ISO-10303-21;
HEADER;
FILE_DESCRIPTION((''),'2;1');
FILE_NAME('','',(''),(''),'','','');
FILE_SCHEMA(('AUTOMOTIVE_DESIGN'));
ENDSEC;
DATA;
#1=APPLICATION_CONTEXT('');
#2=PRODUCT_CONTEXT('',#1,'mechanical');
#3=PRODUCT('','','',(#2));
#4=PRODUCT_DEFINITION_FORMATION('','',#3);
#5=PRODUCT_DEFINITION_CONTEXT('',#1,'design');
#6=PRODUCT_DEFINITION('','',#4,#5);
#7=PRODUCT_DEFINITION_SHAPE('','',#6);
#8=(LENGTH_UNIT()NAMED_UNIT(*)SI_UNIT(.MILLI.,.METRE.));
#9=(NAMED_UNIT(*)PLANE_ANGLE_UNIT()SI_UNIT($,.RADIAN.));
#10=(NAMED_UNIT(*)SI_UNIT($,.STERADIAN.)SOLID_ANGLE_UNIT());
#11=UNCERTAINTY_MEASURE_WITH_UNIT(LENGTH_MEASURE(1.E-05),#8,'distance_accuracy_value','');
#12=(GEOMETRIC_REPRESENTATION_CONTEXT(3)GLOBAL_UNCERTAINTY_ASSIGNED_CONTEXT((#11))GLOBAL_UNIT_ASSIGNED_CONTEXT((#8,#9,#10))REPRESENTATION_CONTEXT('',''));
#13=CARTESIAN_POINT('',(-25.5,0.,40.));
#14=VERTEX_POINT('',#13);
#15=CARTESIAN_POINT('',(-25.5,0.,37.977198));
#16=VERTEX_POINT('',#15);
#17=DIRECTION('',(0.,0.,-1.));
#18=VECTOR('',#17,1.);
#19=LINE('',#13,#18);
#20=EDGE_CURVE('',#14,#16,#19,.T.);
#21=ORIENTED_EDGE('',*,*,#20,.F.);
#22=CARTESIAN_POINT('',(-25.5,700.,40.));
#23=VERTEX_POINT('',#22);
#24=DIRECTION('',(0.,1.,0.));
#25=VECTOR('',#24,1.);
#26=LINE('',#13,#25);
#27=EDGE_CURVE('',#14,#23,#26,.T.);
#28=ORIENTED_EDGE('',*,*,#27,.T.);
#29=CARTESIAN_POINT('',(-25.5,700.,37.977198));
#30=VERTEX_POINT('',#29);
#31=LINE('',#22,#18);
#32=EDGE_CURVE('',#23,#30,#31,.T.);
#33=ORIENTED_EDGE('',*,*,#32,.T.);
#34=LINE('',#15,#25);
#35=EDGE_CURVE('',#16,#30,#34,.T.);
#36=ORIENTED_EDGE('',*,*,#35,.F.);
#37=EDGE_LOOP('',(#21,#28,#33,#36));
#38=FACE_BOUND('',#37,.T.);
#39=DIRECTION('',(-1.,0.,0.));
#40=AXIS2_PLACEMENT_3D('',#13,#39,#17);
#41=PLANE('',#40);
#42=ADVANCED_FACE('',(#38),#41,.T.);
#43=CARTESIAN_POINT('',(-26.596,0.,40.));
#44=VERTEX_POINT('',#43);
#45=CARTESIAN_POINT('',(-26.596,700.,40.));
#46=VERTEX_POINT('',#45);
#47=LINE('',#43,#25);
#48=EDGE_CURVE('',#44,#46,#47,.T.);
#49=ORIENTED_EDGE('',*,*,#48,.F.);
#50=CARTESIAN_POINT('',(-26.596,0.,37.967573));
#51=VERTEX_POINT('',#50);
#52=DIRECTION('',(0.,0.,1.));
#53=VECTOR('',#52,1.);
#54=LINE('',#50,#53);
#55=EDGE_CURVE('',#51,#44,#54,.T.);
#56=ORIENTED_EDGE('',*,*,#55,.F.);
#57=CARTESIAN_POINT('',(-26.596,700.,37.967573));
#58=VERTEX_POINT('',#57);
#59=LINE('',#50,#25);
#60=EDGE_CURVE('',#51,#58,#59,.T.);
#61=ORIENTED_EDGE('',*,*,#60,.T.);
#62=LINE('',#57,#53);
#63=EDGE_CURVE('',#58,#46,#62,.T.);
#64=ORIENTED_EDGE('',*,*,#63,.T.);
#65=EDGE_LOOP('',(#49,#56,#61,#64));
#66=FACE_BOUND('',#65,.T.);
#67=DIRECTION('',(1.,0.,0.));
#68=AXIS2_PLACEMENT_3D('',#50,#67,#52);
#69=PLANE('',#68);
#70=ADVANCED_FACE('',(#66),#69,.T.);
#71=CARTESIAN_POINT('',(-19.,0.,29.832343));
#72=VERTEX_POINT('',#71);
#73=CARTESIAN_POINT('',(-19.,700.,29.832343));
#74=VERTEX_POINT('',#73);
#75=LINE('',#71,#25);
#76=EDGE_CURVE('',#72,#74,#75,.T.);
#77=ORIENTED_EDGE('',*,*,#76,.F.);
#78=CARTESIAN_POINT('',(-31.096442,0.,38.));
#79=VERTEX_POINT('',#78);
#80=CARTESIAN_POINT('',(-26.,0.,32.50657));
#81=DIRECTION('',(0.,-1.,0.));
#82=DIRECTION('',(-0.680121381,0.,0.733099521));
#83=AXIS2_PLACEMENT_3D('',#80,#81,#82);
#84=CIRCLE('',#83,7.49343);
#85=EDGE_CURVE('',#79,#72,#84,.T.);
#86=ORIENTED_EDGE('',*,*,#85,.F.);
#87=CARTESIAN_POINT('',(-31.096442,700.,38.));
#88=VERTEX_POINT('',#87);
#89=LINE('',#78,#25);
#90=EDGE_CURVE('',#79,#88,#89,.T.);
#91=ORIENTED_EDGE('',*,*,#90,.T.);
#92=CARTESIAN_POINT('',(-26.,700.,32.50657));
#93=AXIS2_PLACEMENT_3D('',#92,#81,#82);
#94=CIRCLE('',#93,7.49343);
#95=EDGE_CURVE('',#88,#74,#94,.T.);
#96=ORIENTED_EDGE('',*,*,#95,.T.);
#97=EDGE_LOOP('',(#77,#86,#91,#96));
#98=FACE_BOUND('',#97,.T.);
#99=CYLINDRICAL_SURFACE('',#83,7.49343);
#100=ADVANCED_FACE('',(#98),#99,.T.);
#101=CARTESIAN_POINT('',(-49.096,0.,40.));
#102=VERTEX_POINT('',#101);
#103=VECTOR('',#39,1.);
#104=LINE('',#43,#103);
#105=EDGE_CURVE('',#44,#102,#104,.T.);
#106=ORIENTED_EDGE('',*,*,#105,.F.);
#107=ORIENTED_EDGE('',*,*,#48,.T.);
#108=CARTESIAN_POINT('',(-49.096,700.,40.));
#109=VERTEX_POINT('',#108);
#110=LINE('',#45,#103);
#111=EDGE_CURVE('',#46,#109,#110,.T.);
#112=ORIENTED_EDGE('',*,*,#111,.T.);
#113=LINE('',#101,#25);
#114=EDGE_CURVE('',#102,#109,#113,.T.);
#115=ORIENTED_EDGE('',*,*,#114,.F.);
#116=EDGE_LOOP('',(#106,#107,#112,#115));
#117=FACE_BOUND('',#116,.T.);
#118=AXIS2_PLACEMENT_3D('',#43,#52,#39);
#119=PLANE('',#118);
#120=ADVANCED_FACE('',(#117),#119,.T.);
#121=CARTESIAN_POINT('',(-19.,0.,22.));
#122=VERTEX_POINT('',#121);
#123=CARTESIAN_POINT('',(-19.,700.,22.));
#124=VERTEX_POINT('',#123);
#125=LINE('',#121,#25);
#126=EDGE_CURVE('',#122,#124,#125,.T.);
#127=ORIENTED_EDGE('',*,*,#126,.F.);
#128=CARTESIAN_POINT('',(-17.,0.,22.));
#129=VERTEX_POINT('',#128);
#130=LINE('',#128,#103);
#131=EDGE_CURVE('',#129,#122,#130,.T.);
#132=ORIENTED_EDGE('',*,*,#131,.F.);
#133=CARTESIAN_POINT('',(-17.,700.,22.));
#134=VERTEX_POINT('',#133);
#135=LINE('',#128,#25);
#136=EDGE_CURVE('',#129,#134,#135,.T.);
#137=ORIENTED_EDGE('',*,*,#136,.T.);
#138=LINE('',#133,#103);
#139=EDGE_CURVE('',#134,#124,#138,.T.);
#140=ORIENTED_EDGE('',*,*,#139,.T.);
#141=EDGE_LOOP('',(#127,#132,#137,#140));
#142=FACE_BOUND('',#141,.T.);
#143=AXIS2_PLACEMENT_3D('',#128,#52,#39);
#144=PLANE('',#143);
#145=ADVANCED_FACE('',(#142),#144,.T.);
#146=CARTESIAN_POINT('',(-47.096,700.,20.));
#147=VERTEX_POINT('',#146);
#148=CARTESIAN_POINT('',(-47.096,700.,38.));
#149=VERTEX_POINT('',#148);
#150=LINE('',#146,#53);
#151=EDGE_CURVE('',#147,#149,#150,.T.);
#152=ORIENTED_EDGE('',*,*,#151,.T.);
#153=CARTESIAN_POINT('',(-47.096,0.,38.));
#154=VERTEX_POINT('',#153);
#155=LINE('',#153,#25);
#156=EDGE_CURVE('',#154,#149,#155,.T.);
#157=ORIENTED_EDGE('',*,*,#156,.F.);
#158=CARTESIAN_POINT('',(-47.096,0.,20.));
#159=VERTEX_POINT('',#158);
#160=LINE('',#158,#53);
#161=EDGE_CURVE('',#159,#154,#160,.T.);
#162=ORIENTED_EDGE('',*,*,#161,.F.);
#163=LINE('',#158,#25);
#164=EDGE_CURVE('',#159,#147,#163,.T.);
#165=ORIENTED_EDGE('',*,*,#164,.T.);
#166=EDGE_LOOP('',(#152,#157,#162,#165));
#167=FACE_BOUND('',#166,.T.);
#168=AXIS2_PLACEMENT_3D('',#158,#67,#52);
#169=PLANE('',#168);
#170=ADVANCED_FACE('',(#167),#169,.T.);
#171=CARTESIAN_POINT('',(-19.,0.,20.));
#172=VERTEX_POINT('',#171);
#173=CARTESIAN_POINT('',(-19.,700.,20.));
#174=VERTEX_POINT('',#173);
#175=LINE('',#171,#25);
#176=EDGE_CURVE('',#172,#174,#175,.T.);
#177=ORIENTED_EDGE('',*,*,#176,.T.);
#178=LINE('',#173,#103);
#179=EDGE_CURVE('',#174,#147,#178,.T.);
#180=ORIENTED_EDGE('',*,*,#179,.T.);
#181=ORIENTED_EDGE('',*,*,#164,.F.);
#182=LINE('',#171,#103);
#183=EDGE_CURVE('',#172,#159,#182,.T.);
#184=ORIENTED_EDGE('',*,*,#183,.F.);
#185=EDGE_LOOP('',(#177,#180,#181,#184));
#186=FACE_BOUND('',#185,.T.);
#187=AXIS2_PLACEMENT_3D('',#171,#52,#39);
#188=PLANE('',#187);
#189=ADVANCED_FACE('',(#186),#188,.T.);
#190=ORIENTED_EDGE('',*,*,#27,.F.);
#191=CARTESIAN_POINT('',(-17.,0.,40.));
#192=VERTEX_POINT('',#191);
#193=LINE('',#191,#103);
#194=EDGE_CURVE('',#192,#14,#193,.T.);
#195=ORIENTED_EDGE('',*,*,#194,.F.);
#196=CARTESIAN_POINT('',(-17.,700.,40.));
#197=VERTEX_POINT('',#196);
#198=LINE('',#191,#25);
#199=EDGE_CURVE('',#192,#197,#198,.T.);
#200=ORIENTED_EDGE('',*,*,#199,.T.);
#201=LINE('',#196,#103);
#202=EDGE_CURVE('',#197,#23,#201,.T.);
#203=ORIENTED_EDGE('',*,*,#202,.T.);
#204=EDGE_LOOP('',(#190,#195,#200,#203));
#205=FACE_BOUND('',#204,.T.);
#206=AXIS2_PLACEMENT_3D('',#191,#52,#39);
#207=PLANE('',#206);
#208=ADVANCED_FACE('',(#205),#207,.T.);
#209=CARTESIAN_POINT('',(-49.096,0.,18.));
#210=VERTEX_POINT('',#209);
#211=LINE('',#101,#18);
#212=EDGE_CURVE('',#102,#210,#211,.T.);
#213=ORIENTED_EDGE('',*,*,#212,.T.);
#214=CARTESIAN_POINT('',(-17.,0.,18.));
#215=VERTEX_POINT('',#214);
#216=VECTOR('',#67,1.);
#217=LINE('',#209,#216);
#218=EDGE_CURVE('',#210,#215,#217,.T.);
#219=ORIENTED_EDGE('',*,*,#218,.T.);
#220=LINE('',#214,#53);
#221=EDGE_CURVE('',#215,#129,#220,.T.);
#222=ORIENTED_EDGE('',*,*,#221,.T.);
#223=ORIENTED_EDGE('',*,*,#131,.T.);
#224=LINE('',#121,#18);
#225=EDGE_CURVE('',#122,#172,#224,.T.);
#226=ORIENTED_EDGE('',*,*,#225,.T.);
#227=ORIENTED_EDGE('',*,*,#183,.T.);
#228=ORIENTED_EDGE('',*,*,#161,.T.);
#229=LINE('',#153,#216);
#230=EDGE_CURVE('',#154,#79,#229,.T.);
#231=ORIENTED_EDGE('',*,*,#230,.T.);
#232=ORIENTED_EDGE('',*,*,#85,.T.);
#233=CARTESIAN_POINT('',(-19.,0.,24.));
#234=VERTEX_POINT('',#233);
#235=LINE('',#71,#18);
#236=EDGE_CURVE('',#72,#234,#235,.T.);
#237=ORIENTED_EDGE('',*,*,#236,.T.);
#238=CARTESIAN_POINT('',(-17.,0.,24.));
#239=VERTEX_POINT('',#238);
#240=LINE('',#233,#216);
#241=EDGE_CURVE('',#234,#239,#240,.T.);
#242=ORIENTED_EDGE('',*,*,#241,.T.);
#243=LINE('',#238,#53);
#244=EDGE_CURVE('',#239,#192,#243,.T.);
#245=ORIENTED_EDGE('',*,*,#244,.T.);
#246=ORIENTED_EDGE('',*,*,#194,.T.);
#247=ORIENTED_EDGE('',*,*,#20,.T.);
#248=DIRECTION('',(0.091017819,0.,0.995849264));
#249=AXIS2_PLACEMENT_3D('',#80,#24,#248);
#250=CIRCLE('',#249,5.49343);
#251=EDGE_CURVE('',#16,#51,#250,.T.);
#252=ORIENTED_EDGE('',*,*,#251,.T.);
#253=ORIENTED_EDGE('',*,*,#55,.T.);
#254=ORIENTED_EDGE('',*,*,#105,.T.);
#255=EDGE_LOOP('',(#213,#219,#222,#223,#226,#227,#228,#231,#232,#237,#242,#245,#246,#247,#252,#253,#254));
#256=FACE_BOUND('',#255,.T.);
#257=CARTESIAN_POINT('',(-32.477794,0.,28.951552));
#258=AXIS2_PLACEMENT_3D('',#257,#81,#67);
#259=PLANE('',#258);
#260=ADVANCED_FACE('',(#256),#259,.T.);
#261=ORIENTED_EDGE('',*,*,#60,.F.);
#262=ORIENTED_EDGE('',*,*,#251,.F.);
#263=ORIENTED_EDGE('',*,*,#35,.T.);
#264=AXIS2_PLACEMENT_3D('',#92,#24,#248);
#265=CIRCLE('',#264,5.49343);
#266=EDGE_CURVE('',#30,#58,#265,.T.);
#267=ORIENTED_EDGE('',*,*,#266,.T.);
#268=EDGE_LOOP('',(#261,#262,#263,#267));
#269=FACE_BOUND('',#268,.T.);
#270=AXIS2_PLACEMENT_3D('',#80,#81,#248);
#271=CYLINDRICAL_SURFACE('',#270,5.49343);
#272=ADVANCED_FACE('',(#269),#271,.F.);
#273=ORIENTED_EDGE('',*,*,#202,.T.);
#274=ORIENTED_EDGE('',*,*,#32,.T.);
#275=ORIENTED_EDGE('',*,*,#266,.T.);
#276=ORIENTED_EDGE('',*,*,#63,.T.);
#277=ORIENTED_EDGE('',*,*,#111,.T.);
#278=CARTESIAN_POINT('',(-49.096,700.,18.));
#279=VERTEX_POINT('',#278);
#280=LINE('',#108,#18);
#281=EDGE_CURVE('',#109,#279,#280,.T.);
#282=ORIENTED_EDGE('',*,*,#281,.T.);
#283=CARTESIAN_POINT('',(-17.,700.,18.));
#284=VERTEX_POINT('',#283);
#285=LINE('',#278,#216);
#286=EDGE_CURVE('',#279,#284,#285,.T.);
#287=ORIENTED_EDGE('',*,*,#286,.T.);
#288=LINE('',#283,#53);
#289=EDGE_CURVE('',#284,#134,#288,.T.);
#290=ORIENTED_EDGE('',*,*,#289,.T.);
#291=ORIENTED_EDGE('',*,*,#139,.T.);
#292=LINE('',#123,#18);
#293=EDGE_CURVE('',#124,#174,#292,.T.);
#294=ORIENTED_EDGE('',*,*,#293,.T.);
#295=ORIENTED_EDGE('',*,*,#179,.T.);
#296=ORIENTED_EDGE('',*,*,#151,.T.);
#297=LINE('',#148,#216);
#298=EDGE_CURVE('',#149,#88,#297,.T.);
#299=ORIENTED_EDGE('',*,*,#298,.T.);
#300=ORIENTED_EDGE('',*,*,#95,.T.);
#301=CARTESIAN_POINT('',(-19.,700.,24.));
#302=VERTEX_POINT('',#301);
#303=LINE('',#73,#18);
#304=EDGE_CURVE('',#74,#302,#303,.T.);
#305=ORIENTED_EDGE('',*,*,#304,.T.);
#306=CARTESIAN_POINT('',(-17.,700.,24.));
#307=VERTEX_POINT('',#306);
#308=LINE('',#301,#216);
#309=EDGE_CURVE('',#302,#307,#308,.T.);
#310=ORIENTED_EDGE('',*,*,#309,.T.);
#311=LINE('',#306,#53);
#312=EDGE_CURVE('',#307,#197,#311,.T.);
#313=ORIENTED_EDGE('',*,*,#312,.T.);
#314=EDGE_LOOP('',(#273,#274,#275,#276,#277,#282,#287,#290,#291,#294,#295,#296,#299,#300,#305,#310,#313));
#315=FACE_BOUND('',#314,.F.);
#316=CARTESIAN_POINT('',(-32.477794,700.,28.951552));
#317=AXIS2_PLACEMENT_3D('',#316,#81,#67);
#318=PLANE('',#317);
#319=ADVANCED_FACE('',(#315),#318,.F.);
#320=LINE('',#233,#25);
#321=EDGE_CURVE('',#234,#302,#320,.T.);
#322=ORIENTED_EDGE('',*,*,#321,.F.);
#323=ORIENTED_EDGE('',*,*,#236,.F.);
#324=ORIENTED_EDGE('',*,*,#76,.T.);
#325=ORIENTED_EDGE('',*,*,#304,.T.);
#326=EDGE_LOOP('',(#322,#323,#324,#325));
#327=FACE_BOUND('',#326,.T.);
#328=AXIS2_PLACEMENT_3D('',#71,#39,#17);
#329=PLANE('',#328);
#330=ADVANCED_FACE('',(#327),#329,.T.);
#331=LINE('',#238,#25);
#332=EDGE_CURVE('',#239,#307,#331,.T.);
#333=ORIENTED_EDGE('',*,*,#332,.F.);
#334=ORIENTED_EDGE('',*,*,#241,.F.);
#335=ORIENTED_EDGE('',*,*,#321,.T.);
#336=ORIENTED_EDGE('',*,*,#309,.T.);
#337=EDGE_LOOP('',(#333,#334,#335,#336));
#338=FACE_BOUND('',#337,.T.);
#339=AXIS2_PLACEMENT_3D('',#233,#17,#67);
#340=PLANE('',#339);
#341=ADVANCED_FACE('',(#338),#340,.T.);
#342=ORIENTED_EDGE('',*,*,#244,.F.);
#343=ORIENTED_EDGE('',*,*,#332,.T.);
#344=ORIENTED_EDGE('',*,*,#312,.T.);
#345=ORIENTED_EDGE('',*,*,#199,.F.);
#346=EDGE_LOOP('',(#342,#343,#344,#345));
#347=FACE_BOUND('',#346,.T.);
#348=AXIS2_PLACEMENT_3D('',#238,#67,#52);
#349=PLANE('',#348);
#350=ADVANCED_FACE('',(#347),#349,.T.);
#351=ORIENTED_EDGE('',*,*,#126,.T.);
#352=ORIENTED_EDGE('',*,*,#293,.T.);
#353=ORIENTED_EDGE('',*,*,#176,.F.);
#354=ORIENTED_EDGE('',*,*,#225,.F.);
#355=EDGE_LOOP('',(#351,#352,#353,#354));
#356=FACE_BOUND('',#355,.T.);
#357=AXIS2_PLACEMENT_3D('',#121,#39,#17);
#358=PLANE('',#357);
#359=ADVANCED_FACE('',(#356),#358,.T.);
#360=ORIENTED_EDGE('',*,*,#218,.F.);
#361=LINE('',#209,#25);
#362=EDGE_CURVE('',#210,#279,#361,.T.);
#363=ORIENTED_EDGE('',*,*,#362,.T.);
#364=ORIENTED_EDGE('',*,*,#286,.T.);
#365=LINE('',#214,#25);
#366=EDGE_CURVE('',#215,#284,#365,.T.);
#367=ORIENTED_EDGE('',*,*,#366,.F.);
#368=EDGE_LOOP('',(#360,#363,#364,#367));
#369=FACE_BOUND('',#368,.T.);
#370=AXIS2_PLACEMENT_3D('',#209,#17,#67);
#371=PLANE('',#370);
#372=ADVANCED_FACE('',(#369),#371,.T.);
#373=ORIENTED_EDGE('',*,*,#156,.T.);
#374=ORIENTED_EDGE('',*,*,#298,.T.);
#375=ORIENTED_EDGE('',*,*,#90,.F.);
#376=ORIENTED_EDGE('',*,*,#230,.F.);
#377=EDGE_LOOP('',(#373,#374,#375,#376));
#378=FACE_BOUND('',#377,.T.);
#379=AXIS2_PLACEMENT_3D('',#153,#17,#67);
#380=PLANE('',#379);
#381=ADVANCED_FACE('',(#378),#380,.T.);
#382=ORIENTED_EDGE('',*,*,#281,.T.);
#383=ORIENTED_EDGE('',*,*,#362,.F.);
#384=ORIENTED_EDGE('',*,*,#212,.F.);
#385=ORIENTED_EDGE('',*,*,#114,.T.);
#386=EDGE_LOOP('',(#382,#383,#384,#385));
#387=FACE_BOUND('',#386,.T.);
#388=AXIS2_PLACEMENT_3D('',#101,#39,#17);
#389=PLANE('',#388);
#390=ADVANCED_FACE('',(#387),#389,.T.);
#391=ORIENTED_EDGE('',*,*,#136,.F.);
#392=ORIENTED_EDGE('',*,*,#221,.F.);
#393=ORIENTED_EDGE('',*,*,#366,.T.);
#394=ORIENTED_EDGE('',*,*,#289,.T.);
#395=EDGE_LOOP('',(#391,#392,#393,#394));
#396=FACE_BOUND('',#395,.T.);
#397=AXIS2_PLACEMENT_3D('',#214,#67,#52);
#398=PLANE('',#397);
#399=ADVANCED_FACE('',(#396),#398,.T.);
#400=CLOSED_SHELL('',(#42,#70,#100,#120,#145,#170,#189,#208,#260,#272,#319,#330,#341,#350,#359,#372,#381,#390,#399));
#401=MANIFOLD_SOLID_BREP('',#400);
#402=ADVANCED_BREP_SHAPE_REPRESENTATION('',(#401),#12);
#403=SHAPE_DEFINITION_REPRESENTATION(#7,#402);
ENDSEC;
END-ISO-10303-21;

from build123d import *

# Parameters (mm, degrees)
F2_DEPTH = 1910
F7_DEPTH = 700
F9_DEPTH = 2000


with BuildPart() as f2:
    # F1 (on Front) → F2 (new body)
    with BuildSketch(Plane.XZ):
        with BuildLine():
            Line((7.5, 37.974085065), (7.5, 40))
            Line((7.5, 40), (-15, 40))
            Line((-15, 40), (-15, 37))
            Line((-15, 37), (-15, 31))
            Line((-15, 31), (-15, 29))
            Line((-15, 29), (-15, 26))
            Line((-15, 26), (-15, 24))
            Line((-15, 24), (-13, 24))
            Line((-13, 24), (-11, 24))
            Line((-11, 24), (-11, 26))
            Line((-11, 26), (-9, 26))
            Line((-9, 26), (-9, 20))
            Line((-9, 20), (-11, 20))
            Line((-11, 20), (-11, 22))
            Line((-11, 22), (-15, 22))
            Line((-15, 22), (-15, 18))
            Line((-15, 18), (-15, 7.7))
            Line((-15, 7.7), (-13, 7.7))
            Line((-13, 7.7), (-13, 11.4920835048))
            Line((-13, 11.4920835048), (-7, 11.4920835048))
            Line((-7, 11.4920835048), (-7, 3.7))
            Line((-7, 3.7), (-11, 3.7))
            Line((-11, 3.7), (-11, 5.7))
            Line((-11, 5.7), (-15, 5.7))
            Line((-15, 5.7), (-15, 3))
            Line((-15, 3), (-15, 0))
            Line((-15, 0), (-13, 0))
            Line((-13, 0), (-12, 0))
            Line((-12, 0), (-5, 0))
            Line((-5, 0), (-5, 13.4920835048))
            Line((-5, 13.4920835048), (-7, 13.4920835048))
            Line((-7, 13.4920835048), (-9.1588944197, 13.4920835048))
            Line((-9.1588944197, 13.4920835048), (-9.1588944197, 15.4920835048))
            Line((-9.1588944197, 15.4920835048), (1.5, 20))
            Line((1.5, 20), (10.8411055803, 15.4920835048))
            Line((10.8411055803, 15.4920835048), (10.8411055803, 13.4920835048))
            Line((10.8411055803, 13.4920835048), (8, 13.4920835048))
            Line((8, 13.4920835048), (8, 0))
            Line((8, 0), (17, 0))
            Line((17, 0), (17, 40))
            Line((17, 40), (8.5, 40))
            Line((8.5, 40), (8.5, 37.974085065))
            ThreePointArc((8.5, 37.974085065), (11.5604089792, 36.6859489396), (13.3185590744, 33.8691589154))
            Line((13.3185590744, 33.8691589154), (13.4318527537, 31.7073867348))
            ThreePointArc((13.4318527537, 31.7073867348), (4.0126863822, 28.7323088758), (7.5, 37.974085065))
        make_face()
        Polygon((-8.3634709733, 18), (-11.1588944197, 16.817744602), (-11.1588944197, 15.4920835048), (-11.1588944197, 13.4920835048), (-13, 13.4920835048), (-13, 18), align=None, mode=Mode.SUBTRACT)
        with BuildLine():
            Line((-13, 34), (-13, 37.9999987781))
            Line((-13, 37.9999987781), (2.9081163149, 37.9999987781))
            ThreePointArc((2.9081163149, 37.9999987781), (3.810445381, 26.2974906682), (15, 29.8410427327))
            Line((15, 29.8410427327), (15, 2))
            Line((15, 2), (10, 2))
            Line((10, 2), (10, 12))
            Line((10, 12), (12.8411055803, 12))
            Line((12.8411055803, 12), (12.8411055803, 16.7476188273))
            Line((12.8411055803, 16.7476188273), (1.5543358685, 22.194491783))
            Line((1.5543358685, 22.194491783), (-7, 18.5766464184))
            Line((-7, 18.5766464184), (-7, 28))
            Line((-7, 28), (-13, 28))
            Line((-13, 28), (-13, 34))
        make_face(mode=Mode.SUBTRACT)
        with BuildLine():
            Line((13.0918836851, 37.9999987781), (13.1020709306, 37.9999987781))
            Line((13.1020709306, 37.9999987781), (13.1025921338, 37.9900536295))
            ThreePointArc((13.1025921338, 37.9900536295), (13.0972403349, 37.9950288154), (13.0918836851, 37.9999987781))
        make_face(mode=Mode.SUBTRACT)
    extrude(amount=-F2_DEPTH)

    # F8 (on face) → F9 (cut)
    with BuildSketch(Plane.XZ):
        Polygon((17, 0), (17, 40), (-15, 40), (-15, 3), (-15, 0), align=None)
    extrude(amount=-F9_DEPTH, mode=Mode.SUBTRACT)


with BuildPart() as f7:
    # F6 (on face) → F7 (new body)
    with BuildSketch(Plane.XZ):
        with BuildLine():
            ThreePointArc((-25.5, 37.9771982231), (-25.951759356, 27.0133522571), (-26.596, 37.9675733099))
            Line((-26.596, 37.9675733099), (-26.596, 40))
            Line((-26.596, 40), (-49.096, 40))
            Line((-49.096, 40), (-49.096, 18))
            Line((-49.096, 18), (-17, 18))
            Line((-17, 18), (-17, 22))
            Line((-17, 22), (-19, 22))
            Line((-19, 22), (-19, 20))
            Line((-19, 20), (-47.096, 20))
            Line((-47.096, 20), (-47.096, 38))
            Line((-47.096, 38), (-31.0964418097, 38))
            ThreePointArc((-31.0964418097, 38), (-30.1932729017, 26.2962600635), (-19, 29.8323432536))
            Line((-19, 29.8323432536), (-19, 24))
            Line((-19, 24), (-17, 24))
            Line((-17, 24), (-17, 40))
            Line((-17, 40), (-25.5, 40))
            Line((-25.5, 40), (-25.5, 37.9771982231))
        make_face()
    extrude(amount=-F7_DEPTH)


solid = f7.part
